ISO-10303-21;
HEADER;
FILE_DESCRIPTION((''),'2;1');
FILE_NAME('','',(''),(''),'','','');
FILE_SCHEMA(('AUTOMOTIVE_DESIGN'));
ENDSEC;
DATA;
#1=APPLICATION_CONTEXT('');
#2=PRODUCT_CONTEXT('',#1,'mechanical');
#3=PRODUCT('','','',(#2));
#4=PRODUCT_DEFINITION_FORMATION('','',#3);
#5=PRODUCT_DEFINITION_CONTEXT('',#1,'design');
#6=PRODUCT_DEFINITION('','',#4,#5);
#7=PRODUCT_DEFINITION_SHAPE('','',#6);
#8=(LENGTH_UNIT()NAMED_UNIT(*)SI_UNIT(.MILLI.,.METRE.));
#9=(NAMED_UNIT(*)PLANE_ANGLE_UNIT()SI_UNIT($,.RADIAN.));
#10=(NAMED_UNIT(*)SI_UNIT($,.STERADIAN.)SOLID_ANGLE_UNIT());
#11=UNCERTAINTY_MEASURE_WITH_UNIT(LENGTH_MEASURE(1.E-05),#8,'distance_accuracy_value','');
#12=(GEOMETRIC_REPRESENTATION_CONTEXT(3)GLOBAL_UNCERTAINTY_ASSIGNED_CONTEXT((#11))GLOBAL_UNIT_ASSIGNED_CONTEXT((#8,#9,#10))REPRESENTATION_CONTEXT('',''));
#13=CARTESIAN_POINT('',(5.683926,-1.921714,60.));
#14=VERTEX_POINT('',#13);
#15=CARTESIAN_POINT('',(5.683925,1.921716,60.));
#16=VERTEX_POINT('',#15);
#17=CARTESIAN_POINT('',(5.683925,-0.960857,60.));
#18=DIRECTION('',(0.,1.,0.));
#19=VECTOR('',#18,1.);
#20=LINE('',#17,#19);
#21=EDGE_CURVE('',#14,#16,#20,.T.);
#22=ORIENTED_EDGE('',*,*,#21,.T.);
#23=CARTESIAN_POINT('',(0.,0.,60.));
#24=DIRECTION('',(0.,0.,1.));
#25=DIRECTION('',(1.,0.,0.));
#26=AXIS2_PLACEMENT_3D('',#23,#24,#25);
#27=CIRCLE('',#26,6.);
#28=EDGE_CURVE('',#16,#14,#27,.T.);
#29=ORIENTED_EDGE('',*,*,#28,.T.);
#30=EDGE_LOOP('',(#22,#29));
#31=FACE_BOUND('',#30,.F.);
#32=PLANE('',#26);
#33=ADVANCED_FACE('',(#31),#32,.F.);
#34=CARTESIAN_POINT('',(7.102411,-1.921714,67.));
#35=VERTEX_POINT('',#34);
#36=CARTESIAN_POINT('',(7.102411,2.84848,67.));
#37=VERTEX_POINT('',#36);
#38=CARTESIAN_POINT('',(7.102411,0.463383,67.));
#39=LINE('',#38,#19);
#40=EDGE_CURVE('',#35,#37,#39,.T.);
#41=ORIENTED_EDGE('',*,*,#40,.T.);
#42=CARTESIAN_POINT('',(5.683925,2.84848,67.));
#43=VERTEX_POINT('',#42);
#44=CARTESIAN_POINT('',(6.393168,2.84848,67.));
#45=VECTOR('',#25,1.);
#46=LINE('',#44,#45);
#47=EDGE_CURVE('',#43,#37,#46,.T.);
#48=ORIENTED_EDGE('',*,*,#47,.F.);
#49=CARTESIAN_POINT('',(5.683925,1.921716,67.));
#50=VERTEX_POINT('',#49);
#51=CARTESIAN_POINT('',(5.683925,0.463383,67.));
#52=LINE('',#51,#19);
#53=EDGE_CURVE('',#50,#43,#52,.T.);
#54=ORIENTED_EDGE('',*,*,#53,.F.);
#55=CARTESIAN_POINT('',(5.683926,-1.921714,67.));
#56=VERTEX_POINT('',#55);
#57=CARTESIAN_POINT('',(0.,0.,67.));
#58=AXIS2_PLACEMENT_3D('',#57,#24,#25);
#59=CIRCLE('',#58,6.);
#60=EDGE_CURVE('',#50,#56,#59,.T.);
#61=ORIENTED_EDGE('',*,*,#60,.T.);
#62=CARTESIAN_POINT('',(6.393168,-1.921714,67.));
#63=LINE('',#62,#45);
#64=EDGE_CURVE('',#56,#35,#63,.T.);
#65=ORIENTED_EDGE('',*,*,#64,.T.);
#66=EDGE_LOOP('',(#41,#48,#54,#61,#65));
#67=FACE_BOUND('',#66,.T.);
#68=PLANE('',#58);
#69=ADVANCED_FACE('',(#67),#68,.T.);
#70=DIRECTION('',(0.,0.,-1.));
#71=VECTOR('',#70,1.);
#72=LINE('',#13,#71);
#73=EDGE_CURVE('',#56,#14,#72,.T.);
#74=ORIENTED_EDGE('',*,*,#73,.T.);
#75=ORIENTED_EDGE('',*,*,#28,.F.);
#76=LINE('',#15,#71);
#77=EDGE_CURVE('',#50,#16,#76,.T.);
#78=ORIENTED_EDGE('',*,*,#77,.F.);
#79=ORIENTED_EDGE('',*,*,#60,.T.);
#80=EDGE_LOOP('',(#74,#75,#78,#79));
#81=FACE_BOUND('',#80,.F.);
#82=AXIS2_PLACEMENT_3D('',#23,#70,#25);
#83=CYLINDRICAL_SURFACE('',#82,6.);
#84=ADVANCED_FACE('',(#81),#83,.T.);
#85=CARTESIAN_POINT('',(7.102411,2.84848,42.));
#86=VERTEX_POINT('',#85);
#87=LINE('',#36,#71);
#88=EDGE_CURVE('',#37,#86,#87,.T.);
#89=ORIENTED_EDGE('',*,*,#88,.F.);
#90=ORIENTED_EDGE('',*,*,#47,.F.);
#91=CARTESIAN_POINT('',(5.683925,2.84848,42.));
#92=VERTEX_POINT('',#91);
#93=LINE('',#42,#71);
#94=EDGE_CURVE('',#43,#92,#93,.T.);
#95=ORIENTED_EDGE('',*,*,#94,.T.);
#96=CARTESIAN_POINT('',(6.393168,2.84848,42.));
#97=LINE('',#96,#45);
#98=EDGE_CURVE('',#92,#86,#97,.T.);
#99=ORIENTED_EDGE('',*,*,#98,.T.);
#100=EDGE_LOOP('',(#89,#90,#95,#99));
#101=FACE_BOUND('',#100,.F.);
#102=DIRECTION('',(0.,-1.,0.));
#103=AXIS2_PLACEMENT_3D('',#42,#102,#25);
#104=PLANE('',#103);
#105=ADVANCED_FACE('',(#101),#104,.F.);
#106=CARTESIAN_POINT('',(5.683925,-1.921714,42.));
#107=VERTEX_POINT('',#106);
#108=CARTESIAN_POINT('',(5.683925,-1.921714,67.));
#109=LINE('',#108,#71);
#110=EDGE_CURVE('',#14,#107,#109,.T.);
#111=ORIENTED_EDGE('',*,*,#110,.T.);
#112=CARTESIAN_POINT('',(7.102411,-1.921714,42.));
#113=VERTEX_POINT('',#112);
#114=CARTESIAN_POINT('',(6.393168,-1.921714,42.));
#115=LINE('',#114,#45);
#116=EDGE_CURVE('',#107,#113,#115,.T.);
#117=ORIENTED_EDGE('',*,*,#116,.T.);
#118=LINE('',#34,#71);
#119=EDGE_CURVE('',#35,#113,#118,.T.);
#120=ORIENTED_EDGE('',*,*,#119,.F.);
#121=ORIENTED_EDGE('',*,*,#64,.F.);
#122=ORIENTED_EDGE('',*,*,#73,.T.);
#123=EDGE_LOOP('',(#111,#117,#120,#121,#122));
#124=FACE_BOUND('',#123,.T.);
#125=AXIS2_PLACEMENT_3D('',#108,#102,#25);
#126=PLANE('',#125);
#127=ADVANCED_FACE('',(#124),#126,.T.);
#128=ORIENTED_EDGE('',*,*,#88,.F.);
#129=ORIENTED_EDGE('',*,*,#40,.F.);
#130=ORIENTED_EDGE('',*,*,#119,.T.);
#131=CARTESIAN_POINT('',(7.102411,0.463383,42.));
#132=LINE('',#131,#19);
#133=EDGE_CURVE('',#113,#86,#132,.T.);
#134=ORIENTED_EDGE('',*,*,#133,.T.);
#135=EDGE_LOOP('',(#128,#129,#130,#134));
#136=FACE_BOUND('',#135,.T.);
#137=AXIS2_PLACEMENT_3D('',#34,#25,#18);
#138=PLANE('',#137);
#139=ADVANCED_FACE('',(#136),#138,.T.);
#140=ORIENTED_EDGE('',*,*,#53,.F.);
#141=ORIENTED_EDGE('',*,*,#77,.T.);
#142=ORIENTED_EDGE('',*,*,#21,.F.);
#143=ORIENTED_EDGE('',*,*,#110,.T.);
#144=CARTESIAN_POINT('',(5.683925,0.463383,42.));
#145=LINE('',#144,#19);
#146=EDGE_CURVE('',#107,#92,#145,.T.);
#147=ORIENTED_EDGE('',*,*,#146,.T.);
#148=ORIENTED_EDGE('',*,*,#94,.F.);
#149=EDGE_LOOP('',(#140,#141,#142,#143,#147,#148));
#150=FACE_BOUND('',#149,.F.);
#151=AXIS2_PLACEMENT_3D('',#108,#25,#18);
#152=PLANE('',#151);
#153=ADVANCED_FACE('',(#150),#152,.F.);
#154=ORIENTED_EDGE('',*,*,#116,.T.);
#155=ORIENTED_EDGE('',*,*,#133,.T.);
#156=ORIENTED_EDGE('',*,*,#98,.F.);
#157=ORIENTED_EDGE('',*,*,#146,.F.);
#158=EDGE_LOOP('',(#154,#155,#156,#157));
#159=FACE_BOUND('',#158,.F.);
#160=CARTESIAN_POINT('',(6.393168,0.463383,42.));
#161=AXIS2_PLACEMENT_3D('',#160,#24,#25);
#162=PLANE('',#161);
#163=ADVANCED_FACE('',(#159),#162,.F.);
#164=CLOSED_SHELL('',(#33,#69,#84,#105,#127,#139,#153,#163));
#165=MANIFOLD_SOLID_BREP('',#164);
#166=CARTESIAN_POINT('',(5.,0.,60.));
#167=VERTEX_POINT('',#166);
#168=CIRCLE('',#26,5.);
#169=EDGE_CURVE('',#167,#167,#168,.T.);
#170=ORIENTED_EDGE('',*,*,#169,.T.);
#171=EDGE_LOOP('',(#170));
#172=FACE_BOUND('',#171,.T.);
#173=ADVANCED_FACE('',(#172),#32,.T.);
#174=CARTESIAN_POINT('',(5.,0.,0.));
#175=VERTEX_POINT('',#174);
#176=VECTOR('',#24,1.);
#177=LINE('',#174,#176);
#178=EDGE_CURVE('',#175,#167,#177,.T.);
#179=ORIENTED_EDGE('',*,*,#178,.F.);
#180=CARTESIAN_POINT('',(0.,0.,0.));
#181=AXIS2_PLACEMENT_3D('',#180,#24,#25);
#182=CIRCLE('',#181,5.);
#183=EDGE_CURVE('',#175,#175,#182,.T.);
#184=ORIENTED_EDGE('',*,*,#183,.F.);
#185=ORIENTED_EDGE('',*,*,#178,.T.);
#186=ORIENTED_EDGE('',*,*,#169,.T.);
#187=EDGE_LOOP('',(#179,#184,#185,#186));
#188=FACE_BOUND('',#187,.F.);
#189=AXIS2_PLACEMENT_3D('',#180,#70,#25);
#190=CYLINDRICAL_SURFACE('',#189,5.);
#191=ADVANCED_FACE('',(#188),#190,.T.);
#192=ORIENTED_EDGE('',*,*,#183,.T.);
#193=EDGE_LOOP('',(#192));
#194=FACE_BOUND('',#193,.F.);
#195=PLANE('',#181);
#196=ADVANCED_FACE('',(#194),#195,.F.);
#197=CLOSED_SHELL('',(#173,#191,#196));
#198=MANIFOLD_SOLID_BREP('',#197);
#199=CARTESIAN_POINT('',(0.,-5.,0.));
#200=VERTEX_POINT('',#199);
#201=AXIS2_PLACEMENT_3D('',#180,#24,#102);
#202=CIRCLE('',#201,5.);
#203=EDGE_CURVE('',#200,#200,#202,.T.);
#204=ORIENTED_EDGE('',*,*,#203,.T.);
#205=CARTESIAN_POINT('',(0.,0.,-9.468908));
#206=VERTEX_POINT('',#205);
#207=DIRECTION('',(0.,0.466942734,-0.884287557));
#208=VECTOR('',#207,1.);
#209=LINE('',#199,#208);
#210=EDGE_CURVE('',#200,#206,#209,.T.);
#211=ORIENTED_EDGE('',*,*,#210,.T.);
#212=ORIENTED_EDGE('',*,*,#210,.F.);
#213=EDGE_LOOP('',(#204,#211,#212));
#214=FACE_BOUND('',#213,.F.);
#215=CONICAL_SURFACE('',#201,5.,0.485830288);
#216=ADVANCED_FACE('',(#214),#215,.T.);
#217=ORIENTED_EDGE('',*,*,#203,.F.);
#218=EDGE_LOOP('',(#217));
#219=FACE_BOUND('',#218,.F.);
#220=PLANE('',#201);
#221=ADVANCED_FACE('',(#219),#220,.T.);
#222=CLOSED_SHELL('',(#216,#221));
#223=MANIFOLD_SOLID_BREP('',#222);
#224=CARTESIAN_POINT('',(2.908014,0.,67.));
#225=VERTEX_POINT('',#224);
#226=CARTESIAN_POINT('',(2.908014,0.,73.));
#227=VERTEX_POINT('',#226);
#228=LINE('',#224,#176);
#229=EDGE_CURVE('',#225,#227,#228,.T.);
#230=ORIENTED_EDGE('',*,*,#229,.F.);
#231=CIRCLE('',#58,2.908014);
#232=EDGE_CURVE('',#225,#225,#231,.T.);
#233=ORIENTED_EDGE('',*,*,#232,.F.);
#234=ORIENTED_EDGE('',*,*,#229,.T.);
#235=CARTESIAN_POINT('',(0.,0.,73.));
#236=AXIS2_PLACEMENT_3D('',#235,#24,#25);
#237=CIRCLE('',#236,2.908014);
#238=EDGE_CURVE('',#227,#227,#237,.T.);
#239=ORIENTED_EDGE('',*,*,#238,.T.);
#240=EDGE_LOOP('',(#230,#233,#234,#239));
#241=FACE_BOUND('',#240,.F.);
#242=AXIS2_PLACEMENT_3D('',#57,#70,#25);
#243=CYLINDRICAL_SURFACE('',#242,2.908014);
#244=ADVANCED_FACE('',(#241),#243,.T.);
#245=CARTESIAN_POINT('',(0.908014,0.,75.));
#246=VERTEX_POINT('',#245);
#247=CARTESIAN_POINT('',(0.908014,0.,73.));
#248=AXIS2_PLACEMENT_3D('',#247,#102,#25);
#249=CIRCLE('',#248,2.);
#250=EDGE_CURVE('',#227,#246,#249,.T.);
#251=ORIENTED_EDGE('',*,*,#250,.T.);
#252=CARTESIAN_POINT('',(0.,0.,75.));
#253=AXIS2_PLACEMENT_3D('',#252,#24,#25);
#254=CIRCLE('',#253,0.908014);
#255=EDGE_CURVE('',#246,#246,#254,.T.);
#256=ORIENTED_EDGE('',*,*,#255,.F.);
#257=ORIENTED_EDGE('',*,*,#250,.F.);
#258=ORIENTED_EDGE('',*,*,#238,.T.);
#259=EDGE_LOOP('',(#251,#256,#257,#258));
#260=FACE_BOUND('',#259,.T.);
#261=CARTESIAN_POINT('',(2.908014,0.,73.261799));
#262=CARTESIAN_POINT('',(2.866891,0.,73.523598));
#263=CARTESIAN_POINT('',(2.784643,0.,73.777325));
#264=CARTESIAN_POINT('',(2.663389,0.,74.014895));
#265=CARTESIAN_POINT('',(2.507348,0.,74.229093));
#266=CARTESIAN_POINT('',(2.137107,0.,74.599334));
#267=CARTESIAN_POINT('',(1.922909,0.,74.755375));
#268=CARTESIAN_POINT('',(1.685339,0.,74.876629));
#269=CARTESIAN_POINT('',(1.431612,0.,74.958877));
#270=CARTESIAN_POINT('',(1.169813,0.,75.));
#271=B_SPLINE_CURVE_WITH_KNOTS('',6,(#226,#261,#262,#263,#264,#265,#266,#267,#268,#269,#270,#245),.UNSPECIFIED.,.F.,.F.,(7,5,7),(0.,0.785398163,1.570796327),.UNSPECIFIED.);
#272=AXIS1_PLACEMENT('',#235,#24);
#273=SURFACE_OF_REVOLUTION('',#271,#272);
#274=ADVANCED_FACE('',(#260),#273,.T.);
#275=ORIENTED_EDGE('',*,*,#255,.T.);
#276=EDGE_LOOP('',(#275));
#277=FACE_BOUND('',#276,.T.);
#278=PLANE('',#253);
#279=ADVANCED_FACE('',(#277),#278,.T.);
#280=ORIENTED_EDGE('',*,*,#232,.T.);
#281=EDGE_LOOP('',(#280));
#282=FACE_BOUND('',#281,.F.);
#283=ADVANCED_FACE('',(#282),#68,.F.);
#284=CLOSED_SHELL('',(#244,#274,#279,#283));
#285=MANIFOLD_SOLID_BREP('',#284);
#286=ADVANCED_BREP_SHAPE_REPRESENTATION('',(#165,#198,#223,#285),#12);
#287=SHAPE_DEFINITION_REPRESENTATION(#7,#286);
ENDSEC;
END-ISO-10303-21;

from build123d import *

# Parameters (mm, degrees)
F0_R     = 5
F1_DEPTH = 60
F4_R     = 6
F5_DEPTH = 7
F6_W     = 1.418485
F6_H     = 4.770194
F7_DEPTH = 25
F8_R     = 2.908014
F9_DEPTH = 8
F10_R    = 2


with BuildPart() as f1:
    # F0 (on Top) → F1 (new body)
    with BuildSketch(Plane.XY):
        Circle(F0_R)
    extrude(amount=F1_DEPTH)


with BuildPart() as f3:
    # F2 (on Right) → F3 (revolve)
    with BuildSketch(Plane.YZ):
        Polygon((0, -9.468908), (0, 0), (-5, 0), align=None)
    revolve(axis=Axis((0, 0, -4.734454), (0, 0, 1)))


with BuildPart() as f5:
    # F4 (on face) → F5 (new body)
    with BuildSketch(Plane.XY.offset(60)):
        Circle(F4_R)
    extrude(amount=F5_DEPTH)

    # F6 (on face) → F7 (join)
    with BuildSketch(Plane.XY.offset(67)):
        with Locations((6.393168, 0.463383)):
            Rectangle(F6_W, F6_H)
    extrude(amount=-F7_DEPTH)


with BuildPart() as f9:
    # F8 (on face) → F9 (new body)
    with BuildSketch(Plane.XY.offset(67)):
        Circle(F8_R)
    extrude(amount=F9_DEPTH)

    # F10
    f10_edges = [f9.edges().sort_by_distance(p)[0] for p in [
        (-2.908014, 0, 75),
    ]]
    fillet(f10_edges, radius=F10_R)


solid = Compound([f1.part, f3.part, f5.part, f9.part])
